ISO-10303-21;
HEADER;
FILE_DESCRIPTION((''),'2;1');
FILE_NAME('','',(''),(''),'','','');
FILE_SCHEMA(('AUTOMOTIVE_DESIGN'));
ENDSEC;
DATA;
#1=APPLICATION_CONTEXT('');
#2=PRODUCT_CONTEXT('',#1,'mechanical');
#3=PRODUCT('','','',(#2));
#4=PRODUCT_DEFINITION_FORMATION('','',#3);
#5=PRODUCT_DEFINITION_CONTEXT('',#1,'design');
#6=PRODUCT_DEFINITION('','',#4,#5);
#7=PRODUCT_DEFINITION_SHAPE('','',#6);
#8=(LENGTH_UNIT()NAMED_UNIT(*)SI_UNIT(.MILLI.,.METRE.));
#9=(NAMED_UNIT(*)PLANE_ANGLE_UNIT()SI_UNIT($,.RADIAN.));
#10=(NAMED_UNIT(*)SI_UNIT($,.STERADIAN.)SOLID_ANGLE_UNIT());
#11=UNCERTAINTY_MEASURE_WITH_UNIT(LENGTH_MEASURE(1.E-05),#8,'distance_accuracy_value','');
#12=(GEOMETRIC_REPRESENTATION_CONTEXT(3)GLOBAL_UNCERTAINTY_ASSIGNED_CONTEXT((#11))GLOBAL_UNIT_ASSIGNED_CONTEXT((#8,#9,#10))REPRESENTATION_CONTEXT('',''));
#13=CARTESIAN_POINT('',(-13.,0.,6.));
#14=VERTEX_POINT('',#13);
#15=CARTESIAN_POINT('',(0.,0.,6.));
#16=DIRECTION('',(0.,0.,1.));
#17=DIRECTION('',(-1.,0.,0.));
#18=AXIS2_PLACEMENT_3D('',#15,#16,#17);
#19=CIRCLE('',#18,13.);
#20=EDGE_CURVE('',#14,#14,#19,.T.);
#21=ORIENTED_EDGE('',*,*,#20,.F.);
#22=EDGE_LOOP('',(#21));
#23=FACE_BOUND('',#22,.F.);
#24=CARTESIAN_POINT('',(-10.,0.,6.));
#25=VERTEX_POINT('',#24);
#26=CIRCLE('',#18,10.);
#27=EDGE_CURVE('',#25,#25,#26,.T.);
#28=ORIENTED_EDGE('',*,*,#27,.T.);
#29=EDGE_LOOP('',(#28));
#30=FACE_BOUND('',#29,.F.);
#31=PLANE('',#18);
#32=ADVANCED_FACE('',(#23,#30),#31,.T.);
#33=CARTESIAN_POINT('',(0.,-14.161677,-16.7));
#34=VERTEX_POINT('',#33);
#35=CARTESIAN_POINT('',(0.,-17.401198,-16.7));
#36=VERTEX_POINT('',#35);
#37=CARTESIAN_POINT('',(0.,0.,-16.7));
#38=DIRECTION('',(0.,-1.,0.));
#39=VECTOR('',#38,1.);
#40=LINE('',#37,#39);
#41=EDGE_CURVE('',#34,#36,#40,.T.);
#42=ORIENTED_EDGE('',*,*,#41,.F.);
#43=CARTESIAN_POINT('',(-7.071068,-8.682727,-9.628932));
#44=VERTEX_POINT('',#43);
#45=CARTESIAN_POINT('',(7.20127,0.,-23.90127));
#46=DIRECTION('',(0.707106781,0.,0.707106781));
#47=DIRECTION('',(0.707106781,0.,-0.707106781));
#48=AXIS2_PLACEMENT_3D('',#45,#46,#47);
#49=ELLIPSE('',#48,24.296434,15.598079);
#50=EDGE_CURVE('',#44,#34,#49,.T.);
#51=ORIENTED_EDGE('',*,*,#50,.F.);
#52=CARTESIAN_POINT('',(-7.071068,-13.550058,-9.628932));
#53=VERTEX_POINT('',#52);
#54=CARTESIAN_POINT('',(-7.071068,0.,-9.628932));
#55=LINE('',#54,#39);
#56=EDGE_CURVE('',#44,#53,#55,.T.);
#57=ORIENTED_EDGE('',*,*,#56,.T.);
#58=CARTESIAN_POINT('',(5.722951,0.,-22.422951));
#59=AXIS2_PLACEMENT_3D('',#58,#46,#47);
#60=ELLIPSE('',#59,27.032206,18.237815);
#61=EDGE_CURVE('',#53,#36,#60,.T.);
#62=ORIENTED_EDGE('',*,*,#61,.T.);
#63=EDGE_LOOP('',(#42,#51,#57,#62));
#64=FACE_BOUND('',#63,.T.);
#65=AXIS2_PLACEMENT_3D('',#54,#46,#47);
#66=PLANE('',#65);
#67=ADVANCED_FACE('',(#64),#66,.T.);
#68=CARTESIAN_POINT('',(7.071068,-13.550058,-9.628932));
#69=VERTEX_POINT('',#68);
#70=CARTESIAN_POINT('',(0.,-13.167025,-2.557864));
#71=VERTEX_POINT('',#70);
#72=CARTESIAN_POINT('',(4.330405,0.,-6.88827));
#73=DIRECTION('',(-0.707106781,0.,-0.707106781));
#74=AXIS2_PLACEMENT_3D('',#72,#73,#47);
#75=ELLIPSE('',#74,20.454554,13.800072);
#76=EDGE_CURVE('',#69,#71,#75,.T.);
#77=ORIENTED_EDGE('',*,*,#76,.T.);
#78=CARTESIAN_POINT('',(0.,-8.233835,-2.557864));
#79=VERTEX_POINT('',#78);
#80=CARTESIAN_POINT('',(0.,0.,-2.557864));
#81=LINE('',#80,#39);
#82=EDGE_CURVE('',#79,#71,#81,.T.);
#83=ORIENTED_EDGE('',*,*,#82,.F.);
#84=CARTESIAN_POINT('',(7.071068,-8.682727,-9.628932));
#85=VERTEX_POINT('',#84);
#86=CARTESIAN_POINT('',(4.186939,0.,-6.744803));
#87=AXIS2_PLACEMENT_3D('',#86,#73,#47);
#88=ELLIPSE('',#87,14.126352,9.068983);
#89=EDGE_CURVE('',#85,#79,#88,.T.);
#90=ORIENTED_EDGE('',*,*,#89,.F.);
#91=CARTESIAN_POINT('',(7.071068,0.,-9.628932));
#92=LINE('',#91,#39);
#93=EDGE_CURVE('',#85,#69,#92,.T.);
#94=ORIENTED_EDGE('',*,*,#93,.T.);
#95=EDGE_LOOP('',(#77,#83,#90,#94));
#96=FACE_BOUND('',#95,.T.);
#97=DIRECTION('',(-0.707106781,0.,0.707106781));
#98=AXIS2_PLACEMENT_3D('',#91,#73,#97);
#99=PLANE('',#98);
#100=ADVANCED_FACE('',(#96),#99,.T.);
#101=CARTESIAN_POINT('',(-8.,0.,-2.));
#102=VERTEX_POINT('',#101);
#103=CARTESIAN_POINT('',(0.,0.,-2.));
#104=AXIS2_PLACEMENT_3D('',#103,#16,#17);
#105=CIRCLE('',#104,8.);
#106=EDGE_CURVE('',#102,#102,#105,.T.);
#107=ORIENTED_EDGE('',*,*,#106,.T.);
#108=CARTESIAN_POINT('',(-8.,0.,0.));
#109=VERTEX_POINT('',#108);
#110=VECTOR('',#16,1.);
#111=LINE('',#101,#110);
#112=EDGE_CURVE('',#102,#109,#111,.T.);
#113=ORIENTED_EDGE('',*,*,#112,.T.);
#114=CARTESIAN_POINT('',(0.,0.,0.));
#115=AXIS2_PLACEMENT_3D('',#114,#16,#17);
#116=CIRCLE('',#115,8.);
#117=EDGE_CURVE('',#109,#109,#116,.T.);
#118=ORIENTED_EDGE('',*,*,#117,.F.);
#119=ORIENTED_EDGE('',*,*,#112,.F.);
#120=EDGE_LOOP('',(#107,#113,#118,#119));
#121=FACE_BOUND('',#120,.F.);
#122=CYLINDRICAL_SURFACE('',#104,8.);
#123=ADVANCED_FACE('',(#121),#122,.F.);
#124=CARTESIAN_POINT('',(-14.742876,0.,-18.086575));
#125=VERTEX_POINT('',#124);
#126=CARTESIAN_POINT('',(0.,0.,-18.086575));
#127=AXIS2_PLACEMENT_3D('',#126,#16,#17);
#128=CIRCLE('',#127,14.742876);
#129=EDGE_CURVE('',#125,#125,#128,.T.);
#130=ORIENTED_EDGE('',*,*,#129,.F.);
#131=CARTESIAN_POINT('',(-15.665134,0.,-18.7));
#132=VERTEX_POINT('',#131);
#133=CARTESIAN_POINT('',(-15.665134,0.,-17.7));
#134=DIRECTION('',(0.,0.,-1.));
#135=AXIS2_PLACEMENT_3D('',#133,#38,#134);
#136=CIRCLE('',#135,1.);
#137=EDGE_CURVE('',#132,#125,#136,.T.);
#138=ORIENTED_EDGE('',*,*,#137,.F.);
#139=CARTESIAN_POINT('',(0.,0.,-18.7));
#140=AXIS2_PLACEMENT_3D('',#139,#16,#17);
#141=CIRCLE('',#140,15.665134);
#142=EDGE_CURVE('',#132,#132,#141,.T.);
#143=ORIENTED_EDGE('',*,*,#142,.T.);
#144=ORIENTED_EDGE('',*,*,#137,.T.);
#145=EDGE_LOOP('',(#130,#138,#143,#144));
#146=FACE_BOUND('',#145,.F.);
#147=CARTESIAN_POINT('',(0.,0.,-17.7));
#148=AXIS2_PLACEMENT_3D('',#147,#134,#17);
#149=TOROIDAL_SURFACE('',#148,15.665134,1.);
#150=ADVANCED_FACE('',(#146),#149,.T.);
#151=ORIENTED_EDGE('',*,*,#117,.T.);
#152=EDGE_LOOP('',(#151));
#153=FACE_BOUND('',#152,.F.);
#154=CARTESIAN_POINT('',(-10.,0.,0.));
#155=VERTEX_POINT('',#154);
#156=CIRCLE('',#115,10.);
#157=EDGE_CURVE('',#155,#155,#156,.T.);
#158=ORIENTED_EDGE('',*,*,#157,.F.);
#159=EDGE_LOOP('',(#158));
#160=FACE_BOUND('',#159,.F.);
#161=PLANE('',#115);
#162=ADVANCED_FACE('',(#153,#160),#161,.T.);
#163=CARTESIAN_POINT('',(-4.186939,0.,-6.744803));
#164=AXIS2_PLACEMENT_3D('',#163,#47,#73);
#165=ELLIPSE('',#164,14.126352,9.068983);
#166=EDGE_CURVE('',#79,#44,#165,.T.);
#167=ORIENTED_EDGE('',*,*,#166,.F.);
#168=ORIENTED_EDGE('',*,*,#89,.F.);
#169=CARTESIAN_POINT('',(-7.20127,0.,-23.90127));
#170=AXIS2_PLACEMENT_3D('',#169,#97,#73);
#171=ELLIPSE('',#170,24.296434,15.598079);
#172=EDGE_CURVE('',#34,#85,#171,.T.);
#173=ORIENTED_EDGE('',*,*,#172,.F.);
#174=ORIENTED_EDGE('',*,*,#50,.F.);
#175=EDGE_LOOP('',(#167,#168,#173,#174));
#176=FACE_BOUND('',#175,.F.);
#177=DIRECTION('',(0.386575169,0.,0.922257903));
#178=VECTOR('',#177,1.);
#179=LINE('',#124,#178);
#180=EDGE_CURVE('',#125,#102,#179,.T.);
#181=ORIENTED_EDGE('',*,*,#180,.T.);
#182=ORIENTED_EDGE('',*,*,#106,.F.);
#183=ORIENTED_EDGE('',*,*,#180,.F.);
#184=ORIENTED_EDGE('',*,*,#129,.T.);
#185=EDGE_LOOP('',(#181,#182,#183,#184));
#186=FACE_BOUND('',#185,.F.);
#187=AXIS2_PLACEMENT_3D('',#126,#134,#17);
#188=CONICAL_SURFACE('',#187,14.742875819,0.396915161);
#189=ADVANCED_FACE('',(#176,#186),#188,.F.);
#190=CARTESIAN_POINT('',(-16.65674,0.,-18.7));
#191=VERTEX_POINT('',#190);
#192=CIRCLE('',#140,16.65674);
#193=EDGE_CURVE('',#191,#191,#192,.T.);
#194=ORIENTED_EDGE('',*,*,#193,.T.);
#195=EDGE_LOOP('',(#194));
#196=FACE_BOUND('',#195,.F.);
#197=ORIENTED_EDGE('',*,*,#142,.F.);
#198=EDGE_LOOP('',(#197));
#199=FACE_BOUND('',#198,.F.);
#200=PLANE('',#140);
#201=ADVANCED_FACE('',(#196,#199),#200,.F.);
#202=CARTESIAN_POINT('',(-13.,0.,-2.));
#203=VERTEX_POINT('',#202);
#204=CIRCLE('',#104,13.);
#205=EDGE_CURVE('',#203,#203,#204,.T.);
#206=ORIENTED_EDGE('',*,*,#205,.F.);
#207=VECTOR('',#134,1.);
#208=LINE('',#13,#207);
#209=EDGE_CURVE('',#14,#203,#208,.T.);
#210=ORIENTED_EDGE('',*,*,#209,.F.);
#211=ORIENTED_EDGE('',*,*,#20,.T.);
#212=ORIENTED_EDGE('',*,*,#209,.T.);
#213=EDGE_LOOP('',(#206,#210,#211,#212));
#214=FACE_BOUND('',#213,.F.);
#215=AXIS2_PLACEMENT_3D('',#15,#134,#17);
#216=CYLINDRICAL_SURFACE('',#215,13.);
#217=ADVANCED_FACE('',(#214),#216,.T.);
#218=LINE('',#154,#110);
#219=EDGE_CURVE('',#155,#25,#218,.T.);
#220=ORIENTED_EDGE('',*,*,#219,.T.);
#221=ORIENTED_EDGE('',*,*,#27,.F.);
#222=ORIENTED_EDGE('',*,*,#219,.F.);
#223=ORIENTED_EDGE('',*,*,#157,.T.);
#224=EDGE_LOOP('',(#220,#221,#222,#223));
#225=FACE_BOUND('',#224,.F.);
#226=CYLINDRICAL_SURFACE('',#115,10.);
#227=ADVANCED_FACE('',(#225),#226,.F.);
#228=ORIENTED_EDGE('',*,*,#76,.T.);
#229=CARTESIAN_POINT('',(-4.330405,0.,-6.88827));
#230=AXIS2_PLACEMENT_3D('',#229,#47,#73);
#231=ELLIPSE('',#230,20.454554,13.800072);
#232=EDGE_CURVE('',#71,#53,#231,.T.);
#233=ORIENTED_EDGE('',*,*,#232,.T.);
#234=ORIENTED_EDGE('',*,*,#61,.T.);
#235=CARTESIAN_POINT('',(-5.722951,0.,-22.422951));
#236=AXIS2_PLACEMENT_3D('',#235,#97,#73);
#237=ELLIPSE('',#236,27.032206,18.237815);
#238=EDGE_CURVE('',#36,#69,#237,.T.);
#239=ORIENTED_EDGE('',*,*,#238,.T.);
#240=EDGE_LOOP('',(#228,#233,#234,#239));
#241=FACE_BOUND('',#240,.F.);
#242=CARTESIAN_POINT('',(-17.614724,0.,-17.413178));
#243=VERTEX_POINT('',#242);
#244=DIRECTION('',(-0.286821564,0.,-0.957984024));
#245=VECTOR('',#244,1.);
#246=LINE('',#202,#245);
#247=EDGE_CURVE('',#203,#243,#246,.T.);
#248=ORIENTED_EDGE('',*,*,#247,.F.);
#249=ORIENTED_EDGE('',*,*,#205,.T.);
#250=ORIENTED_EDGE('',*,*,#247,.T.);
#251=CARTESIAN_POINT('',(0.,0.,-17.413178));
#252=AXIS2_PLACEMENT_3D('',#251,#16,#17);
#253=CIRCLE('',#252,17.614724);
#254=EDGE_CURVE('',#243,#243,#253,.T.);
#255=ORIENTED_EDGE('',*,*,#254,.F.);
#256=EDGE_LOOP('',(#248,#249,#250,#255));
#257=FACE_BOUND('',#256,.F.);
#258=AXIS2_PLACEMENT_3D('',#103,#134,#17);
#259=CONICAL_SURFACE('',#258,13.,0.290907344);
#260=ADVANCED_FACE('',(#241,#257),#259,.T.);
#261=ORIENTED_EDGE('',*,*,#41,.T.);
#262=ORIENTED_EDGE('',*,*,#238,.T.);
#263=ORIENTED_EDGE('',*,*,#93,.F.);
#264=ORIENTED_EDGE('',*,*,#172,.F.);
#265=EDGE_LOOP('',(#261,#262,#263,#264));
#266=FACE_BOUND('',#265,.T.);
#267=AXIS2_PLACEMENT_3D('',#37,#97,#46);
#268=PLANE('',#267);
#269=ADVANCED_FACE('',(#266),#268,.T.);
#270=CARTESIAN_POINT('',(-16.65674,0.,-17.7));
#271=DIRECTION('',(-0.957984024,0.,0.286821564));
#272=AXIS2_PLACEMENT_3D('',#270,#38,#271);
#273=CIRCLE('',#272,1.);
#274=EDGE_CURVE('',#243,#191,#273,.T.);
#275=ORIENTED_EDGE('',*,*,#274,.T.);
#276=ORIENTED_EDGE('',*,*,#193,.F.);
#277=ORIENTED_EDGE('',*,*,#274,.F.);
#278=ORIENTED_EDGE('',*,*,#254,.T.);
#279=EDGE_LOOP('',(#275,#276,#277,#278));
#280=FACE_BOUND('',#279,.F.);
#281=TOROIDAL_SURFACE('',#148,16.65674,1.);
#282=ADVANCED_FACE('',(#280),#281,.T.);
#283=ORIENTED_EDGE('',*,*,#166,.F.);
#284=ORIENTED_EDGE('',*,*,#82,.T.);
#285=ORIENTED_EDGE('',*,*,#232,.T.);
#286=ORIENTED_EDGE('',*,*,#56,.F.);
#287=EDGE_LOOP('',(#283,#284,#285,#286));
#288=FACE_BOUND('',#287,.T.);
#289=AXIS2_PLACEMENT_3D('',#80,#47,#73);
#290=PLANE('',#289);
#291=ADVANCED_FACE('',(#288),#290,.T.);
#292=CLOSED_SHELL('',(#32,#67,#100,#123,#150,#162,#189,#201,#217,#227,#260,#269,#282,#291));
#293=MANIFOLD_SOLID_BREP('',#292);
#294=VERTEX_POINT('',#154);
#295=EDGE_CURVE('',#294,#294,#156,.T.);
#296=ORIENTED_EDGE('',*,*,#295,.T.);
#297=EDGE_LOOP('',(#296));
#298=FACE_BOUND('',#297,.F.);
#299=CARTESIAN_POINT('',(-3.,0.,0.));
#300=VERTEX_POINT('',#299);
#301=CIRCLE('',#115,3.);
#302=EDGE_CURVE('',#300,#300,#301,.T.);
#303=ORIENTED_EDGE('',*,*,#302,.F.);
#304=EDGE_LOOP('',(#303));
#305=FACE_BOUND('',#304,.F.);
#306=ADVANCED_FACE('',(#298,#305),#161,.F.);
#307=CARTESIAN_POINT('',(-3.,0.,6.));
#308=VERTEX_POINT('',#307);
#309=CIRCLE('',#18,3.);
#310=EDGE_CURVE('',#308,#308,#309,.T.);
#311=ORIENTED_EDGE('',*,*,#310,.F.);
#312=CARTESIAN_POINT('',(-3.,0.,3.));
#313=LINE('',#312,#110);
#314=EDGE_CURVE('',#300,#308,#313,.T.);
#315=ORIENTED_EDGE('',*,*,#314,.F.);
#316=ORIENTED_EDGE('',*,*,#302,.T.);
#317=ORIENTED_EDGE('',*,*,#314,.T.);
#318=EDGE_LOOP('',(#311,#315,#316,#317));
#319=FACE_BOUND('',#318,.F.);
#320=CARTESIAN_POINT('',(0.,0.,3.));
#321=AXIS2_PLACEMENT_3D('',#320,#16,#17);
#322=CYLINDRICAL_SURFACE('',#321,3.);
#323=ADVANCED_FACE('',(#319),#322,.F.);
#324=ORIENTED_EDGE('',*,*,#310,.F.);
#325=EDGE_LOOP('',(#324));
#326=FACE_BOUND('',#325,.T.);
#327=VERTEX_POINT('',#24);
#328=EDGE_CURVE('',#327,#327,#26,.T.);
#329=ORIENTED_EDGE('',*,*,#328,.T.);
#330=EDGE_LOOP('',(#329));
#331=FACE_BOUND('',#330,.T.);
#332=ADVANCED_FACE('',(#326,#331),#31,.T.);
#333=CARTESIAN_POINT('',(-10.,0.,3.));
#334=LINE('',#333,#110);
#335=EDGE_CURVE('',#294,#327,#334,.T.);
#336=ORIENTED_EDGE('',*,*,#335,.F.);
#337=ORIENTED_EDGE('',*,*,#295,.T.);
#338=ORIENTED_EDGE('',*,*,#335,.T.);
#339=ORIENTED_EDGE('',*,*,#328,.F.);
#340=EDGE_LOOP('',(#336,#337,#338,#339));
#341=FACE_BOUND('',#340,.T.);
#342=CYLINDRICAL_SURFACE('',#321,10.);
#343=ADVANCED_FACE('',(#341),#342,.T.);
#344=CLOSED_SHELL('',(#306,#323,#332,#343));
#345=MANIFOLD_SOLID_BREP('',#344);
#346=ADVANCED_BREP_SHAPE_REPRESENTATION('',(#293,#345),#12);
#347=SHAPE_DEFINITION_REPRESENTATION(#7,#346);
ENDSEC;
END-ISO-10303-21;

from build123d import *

# Parameters (mm, degrees)
F2_W     = 7
F2_H     = 6
F6_R     = 6.25
F7_DEPTH = 30
F9_DEPTH = 80


with BuildPart() as f3:
    # F2 (on Front) → F3 (revolve)
    with BuildSketch(Plane.XZ):
        with Locations((-6.5, 3)):
            Rectangle(F2_W, F2_H)
    revolve(axis=Axis((0, 0, 7.569397334), (0, 0, 1)))

    # F6 (on face) → F7 (cut)
    with BuildSketch(Plane.XY.offset(6)):
        Circle(F6_R)
    extrude(amount=F7_DEPTH, mode=Mode.SUBTRACT)


with BuildPart() as f5:
    # F4 (on Front) → F5 (revolve)
    with BuildSketch(Plane.XZ):
        with BuildLine():
            Line((-8, 0), (-10, 0))
            Line((-10, 0), (-10, 6))
            Line((-10, 6), (-13, 6))
            Line((-13, 6), (-13, -2))
            Line((-13, -2), (-17.6147240826, -17.4131784359))
            ThreePointArc((-17.6147240826, -17.4131784359), (-17.4588689647, -18.2971509172), (-16.6567400585, -18.7))
            Line((-16.6567400585, -18.7), (-15.6651337218, -18.7))
            ThreePointArc((-15.6651337218, -18.7), (-15.1113174927, -18.532638928), (-14.7428758192, -18.0865751688))
            Line((-14.7428758192, -18.0865751688), (-8, -2))
            Line((-8, -2), (-8, 0))
        make_face()
    revolve(axis=Axis((0, 0, 7.569397334), (0, 0, 1)))

    # F8 (on Front) → F9 (cut)
    with BuildSketch(Plane.XZ):
        Polygon((7.0710678119, -9.6289321881), (0, -2.5578643763), (-7.0710678119, -9.6289321881), (0, -16.7), align=None)
    extrude(amount=F9_DEPTH, mode=Mode.SUBTRACT)


solid = Compound([f3.part, f5.part])
